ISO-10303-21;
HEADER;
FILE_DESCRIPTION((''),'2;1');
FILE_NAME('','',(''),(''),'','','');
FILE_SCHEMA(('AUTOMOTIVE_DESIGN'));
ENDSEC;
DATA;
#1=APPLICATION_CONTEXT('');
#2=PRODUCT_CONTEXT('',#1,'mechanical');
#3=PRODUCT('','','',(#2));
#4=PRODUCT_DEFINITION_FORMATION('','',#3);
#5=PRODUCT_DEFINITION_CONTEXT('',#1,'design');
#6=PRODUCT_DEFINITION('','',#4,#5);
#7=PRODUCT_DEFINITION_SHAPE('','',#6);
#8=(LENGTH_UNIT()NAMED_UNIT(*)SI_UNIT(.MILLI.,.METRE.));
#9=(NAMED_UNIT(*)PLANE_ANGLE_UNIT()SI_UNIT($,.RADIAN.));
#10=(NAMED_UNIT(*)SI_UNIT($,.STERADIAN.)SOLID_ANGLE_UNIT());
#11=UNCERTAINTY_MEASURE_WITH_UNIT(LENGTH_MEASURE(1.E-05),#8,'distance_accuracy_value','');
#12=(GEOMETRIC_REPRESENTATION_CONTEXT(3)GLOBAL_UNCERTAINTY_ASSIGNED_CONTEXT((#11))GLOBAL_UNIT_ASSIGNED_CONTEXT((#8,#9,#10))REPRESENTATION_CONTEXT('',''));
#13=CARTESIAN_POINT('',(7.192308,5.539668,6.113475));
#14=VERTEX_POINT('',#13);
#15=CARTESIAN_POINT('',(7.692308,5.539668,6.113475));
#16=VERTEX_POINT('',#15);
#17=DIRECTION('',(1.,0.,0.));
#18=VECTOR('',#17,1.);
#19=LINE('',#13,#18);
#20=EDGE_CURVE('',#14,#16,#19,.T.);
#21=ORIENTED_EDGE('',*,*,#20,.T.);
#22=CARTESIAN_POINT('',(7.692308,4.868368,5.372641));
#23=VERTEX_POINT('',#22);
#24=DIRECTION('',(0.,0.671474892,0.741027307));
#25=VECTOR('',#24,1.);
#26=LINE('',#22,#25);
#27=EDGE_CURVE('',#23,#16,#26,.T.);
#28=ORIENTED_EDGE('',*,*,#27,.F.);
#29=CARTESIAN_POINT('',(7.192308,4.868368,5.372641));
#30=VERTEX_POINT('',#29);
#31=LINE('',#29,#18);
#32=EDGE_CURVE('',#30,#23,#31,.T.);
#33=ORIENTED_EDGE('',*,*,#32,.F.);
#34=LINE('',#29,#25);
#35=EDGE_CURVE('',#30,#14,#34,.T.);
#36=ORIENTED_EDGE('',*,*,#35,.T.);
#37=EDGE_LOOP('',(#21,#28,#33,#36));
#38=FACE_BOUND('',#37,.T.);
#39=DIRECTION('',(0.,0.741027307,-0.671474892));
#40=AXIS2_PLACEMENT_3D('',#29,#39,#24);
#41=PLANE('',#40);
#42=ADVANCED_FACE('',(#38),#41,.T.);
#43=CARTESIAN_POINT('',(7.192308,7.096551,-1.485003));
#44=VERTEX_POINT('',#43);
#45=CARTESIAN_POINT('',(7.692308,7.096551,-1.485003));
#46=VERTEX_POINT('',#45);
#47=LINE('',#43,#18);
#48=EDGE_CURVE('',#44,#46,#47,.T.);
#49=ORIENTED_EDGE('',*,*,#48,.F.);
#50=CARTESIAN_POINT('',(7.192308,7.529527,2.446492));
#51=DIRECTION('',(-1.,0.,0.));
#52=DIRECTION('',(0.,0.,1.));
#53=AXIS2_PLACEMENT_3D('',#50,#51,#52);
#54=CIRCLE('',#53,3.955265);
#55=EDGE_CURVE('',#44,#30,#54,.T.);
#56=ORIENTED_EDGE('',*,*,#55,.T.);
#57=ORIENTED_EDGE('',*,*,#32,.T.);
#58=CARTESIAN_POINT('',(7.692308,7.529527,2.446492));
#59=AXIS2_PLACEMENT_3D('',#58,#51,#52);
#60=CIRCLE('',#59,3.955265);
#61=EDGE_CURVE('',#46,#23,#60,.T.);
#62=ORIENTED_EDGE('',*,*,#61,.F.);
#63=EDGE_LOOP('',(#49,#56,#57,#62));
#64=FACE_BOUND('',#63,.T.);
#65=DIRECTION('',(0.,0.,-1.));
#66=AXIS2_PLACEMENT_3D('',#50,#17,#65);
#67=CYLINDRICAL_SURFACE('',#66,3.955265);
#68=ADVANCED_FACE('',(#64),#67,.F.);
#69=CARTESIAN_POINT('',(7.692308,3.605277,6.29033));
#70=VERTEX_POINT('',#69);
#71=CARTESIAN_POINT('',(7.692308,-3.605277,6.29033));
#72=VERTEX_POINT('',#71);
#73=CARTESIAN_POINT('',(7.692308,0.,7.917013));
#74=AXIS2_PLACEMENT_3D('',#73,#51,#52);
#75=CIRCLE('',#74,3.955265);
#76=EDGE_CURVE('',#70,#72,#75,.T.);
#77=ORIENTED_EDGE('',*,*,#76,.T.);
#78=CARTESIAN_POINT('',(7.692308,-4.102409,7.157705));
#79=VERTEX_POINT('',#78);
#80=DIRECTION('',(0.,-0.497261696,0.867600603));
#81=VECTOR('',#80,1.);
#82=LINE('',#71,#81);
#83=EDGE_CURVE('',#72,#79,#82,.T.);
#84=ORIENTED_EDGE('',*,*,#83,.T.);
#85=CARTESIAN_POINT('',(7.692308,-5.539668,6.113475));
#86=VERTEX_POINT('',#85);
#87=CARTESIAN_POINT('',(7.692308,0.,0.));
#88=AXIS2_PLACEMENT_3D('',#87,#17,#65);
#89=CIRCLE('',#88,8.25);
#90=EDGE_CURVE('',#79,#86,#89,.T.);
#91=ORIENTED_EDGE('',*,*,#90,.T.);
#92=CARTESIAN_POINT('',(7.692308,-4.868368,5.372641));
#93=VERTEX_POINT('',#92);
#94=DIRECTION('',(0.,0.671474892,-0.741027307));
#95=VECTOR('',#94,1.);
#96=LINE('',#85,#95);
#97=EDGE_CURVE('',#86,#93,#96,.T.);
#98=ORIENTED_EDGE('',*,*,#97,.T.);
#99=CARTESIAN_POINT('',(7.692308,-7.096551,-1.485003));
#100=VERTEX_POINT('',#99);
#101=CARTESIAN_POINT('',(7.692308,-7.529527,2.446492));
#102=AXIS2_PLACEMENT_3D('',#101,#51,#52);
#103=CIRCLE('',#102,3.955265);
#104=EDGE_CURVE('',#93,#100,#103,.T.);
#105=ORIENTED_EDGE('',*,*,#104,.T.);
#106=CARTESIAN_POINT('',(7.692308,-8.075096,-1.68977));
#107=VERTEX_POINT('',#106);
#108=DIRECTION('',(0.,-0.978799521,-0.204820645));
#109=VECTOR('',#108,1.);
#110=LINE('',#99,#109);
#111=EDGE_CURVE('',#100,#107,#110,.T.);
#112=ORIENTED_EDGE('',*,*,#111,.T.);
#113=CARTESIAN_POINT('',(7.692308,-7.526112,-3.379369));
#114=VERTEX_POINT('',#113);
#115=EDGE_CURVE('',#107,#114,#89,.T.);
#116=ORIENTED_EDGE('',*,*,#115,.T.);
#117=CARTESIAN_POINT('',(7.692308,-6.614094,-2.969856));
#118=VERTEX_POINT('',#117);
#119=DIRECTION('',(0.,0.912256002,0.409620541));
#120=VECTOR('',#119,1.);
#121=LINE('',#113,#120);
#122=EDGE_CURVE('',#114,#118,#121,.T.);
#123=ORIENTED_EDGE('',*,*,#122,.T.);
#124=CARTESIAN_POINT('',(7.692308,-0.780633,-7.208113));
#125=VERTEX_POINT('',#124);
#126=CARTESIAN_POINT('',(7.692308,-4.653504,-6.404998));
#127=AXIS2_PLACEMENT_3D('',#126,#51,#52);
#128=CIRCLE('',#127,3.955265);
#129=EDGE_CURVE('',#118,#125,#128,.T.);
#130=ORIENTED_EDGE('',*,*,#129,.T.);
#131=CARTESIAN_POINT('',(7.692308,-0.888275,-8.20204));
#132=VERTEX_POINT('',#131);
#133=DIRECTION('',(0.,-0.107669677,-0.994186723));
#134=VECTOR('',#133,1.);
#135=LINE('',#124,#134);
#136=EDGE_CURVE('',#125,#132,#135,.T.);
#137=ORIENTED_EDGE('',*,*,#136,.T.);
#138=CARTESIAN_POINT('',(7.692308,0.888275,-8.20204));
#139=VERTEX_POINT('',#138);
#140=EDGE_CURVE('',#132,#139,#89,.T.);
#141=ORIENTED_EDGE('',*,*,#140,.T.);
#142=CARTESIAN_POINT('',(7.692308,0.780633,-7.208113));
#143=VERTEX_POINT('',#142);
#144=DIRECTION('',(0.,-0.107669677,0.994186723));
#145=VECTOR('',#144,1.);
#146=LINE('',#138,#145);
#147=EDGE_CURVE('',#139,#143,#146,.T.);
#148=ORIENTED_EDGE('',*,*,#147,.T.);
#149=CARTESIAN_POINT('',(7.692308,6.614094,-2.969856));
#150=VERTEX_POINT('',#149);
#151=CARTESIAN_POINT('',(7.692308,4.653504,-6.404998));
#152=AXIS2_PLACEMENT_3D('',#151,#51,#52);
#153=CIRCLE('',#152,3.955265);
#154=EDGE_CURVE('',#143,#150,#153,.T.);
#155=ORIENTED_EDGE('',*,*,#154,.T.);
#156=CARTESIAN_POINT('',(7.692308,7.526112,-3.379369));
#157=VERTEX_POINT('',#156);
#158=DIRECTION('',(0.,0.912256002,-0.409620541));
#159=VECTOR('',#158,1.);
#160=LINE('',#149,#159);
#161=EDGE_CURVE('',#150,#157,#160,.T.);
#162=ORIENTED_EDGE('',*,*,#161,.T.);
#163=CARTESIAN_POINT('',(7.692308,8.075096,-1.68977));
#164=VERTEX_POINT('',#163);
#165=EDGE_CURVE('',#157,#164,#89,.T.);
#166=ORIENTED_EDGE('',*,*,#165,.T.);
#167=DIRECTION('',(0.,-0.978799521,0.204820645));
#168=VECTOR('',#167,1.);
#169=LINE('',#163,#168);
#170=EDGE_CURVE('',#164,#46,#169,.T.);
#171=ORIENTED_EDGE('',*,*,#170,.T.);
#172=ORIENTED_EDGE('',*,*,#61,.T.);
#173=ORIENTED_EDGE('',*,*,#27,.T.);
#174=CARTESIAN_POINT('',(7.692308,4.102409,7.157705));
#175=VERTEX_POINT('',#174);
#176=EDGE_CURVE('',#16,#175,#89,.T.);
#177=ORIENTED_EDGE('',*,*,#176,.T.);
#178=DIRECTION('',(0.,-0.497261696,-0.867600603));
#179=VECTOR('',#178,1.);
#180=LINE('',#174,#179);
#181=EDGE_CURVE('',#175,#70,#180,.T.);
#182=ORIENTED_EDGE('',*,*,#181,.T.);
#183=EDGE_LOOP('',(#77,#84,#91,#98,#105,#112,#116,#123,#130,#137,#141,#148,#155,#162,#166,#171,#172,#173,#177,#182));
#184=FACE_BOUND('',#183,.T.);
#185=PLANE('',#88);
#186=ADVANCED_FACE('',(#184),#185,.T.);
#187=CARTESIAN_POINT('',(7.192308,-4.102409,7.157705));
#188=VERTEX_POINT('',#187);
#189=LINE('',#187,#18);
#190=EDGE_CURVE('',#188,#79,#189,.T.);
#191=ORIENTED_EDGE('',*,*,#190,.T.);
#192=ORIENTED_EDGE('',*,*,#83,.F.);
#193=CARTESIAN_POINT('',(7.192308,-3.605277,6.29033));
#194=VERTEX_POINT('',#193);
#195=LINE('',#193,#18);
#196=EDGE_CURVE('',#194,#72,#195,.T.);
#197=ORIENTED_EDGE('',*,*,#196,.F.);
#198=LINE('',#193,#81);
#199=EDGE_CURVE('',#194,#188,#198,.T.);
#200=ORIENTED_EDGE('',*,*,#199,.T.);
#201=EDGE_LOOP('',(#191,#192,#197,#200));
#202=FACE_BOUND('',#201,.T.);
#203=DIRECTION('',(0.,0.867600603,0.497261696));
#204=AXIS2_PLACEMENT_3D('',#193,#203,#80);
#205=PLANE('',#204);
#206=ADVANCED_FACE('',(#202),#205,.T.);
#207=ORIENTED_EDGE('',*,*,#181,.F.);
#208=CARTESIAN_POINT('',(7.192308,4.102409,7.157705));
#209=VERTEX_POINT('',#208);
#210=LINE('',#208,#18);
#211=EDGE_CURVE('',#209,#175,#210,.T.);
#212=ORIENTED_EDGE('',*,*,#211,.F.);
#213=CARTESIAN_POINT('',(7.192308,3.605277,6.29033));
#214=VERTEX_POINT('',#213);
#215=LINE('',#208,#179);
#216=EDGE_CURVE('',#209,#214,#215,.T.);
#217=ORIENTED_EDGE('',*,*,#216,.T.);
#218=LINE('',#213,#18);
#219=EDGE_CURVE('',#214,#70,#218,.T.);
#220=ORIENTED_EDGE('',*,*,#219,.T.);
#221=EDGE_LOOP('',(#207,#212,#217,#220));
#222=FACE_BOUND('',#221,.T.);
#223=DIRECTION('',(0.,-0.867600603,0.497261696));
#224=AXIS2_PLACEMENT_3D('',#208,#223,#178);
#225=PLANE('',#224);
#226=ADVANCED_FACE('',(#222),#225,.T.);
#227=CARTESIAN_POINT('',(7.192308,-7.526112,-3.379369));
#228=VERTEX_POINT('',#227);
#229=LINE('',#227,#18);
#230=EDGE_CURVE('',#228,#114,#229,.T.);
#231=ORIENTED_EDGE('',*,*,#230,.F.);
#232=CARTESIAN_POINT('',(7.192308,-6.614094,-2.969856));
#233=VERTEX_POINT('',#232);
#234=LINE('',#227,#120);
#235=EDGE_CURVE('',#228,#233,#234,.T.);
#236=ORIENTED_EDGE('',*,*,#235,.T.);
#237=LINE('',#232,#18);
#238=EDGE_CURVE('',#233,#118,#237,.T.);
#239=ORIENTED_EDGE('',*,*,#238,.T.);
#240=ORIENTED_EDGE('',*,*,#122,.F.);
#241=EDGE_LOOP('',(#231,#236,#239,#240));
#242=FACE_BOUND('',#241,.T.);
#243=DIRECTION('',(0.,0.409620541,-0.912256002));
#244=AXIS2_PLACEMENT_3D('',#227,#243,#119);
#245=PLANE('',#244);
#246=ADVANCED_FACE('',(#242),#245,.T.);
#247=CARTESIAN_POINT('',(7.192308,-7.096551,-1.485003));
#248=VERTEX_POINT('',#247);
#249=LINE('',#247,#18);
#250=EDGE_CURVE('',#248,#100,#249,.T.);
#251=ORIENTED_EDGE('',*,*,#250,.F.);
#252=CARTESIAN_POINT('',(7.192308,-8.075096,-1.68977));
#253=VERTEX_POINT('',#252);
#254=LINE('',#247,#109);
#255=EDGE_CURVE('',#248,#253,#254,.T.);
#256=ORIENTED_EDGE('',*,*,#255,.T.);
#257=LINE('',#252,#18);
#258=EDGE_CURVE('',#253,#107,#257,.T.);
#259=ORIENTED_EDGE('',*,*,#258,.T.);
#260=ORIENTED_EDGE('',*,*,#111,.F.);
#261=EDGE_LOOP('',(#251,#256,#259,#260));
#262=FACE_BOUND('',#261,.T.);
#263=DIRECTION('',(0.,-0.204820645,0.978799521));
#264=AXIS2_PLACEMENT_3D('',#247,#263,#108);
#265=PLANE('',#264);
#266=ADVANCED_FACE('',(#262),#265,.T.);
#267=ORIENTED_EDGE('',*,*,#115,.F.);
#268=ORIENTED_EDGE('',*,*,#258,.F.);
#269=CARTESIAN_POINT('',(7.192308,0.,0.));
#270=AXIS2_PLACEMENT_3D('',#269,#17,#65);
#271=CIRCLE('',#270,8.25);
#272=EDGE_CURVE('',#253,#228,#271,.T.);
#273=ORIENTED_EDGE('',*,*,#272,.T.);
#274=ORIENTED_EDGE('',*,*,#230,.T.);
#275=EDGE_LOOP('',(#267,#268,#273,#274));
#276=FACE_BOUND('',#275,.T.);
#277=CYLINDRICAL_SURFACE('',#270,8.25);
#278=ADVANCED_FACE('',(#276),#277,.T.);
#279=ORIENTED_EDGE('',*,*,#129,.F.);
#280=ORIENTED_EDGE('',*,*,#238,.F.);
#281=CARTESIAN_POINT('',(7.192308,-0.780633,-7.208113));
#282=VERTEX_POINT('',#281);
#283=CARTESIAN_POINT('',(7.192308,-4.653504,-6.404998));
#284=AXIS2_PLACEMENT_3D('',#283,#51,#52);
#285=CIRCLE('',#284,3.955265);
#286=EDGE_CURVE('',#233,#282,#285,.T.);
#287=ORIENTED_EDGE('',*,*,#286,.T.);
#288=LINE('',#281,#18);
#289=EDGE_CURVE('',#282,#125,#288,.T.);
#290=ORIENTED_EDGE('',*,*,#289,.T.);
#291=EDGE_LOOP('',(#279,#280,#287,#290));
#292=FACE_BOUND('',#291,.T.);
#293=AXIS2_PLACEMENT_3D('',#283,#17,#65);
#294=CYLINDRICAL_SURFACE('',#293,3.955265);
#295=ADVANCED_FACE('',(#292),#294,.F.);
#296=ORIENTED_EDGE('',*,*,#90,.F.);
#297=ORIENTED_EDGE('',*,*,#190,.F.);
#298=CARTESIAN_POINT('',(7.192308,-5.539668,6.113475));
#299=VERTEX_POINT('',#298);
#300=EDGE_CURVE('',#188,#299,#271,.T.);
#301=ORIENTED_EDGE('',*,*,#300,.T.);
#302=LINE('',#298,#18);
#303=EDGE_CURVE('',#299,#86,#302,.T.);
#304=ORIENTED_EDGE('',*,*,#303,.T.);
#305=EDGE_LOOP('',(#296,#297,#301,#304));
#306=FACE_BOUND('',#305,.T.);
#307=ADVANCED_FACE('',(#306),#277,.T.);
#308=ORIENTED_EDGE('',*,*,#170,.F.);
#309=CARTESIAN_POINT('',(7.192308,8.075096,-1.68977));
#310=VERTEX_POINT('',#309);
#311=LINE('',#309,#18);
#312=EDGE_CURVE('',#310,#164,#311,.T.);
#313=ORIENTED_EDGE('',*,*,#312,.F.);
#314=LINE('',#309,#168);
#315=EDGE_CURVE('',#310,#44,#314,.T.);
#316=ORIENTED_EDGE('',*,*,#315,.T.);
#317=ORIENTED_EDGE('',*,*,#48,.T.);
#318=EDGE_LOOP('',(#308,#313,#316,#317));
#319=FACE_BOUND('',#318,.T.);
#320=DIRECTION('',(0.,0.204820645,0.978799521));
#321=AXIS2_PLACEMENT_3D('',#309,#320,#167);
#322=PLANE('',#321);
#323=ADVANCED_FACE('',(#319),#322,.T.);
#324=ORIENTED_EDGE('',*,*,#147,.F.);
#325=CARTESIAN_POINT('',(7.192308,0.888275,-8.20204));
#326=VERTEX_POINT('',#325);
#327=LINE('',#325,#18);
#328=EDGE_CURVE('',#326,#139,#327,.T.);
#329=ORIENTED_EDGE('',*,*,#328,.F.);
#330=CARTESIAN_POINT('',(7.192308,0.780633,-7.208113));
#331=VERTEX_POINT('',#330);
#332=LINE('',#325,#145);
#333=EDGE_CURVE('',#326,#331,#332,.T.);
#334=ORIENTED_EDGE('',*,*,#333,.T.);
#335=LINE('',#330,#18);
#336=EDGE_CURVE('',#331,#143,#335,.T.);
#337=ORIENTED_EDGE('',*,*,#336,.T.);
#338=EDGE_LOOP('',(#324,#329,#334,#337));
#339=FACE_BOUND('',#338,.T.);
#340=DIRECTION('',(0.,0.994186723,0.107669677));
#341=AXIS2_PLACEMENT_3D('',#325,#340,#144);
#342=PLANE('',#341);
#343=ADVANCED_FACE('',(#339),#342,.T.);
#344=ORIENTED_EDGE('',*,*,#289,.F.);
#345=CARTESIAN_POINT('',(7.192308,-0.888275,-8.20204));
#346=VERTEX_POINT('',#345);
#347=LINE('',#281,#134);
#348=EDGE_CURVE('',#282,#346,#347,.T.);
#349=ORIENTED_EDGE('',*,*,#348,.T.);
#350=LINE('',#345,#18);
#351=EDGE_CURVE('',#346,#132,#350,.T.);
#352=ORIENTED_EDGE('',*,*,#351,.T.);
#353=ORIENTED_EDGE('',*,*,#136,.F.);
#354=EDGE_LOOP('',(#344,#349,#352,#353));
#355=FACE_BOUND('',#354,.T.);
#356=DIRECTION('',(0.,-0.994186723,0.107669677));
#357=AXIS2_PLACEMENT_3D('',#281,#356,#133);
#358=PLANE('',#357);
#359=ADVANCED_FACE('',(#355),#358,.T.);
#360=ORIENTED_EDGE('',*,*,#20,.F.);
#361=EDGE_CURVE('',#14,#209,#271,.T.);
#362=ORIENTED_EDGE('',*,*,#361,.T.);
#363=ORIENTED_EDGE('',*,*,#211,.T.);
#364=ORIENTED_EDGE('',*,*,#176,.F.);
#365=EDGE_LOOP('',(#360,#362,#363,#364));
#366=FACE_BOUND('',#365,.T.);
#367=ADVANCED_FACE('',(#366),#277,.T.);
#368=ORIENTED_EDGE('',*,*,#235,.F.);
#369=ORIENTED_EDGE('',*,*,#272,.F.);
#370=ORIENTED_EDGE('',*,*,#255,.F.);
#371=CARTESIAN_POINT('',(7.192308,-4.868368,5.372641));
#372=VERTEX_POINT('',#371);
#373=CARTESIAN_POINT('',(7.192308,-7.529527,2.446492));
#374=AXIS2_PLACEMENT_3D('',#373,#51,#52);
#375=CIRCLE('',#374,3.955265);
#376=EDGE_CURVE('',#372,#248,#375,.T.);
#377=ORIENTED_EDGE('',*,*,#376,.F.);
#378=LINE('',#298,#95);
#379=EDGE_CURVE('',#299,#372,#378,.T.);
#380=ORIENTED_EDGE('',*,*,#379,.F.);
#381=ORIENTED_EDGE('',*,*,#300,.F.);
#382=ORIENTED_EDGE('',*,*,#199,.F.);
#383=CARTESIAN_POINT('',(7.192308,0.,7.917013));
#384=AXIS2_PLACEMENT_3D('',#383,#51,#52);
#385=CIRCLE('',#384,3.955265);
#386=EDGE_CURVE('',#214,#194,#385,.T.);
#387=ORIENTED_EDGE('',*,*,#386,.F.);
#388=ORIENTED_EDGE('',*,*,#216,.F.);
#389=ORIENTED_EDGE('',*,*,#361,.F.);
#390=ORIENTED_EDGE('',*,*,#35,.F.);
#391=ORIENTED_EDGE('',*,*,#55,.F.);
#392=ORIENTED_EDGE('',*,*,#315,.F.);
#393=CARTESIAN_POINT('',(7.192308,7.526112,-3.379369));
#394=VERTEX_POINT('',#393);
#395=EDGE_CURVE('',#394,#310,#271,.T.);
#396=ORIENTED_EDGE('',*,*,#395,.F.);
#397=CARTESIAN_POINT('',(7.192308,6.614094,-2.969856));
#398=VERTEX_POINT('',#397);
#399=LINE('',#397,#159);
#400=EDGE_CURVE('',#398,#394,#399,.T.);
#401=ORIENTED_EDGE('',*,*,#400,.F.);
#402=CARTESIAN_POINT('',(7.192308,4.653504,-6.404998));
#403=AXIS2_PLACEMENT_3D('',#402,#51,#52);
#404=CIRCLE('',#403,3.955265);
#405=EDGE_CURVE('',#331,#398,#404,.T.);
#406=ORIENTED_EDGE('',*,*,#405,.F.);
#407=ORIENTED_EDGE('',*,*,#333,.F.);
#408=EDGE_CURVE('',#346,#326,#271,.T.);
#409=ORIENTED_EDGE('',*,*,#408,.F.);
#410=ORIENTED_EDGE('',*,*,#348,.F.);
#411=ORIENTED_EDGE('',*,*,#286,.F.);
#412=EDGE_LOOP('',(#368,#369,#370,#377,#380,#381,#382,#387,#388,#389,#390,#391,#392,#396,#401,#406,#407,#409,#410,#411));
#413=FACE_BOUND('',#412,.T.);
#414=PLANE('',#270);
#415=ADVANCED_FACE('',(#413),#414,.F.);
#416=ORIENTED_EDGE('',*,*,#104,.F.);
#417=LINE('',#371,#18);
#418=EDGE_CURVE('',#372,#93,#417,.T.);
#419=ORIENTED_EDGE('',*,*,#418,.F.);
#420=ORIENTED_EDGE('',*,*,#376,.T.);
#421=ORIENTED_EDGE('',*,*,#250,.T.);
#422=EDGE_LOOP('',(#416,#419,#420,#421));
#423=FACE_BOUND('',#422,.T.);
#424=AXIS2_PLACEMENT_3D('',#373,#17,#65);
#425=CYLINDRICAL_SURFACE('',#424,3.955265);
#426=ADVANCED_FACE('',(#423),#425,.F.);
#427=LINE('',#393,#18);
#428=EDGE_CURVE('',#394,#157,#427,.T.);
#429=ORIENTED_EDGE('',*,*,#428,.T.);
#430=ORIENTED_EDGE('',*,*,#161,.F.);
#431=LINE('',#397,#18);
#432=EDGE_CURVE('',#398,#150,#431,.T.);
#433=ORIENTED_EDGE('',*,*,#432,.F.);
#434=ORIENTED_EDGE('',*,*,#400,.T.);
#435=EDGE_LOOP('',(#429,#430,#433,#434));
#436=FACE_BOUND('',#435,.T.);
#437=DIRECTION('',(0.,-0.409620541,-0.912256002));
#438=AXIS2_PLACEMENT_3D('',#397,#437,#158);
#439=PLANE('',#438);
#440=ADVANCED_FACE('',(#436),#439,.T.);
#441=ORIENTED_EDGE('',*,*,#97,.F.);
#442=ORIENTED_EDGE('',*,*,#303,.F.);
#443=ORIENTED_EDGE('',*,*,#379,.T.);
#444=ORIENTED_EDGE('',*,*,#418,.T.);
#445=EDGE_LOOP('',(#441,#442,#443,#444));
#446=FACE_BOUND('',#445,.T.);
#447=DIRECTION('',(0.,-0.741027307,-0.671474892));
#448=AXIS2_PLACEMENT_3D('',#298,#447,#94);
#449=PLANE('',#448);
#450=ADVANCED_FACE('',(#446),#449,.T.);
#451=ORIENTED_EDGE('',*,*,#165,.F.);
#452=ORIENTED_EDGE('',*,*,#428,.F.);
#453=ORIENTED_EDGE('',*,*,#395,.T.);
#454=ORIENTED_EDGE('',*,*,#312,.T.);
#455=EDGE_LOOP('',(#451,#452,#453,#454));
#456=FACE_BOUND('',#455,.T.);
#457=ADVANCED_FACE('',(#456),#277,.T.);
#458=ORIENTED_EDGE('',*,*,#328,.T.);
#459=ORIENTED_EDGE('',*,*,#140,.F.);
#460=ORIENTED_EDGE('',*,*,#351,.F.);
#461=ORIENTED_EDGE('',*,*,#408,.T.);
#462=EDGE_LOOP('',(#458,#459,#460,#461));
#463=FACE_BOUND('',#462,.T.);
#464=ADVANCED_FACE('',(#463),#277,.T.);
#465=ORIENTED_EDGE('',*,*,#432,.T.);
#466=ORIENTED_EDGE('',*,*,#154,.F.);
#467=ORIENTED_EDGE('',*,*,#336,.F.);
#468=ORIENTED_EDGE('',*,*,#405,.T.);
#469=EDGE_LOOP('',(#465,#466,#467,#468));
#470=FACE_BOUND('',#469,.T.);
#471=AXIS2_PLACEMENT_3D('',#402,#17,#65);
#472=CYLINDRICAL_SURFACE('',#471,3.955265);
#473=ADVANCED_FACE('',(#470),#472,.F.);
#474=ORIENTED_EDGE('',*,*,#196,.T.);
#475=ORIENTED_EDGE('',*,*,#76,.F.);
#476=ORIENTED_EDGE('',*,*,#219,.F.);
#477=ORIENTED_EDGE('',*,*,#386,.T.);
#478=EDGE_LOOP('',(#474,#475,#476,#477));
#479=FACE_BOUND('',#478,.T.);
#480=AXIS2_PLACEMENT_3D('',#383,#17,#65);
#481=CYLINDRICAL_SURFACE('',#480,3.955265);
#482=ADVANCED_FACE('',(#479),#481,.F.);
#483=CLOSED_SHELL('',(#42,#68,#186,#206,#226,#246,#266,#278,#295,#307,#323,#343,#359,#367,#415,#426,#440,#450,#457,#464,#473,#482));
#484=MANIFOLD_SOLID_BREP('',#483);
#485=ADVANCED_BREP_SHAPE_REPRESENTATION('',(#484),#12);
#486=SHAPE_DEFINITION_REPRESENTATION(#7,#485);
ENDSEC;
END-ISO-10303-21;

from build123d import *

# Parameters (mm, degrees)
ESTRUSIONE_ESTRUSIONE1_DEPTH = 0.5


with BuildPart() as part:
    # Schizzo1 → Estrusione-Estrusione1 (new body)
    with BuildSketch(Plane(origin=(7.692307692, 0, 0), x_dir=(0, 0, -1), z_dir=(1, 0, 0))):
        with BuildLine():
            Line((-6.113475279, -5.539667861), (-5.372640914, -4.868367801))
            ThreePointArc((-5.372640914, -4.868367801), (-1.224247655, -3.767846854), (1.485003008, -7.096551381))
            Line((1.485003008, -7.096551381), (1.689770324, -8.075096052))
            ThreePointArc((1.689770324, -8.075096052), (2.549390204, -7.846216259), (3.379369462, -7.526112014))
            Line((3.379369462, -7.526112014), (2.969855574, -6.614093536))
            ThreePointArc((2.969855574, -6.614093536), (3.205121972, -2.32865742), (7.2081126, -0.780633191))
            Line((7.2081126, -0.780633191), (8.202040467, -0.888274834))
            ThreePointArc((8.202040467, -0.888274834), (8.25, 0), (8.202040467, 0.888274834))
            Line((8.202040467, 0.888274834), (7.2081126, 0.780633191))
            ThreePointArc((7.2081126, 0.780633191), (3.205121972, 2.32865742), (2.969855574, 6.614093536))
            Line((2.969855574, 6.614093536), (3.379369462, 7.526112014))
            ThreePointArc((3.379369462, 7.526112014), (2.549390204, 7.846216259), (1.689770324, 8.075096052))
            Line((1.689770324, 8.075096052), (1.485003008, 7.096551381))
            ThreePointArc((1.485003008, 7.096551381), (-1.224247655, 3.767846854), (-5.372640914, 4.868367801))
            Line((-5.372640914, 4.868367801), (-6.113475279, 5.539667861))
            ThreePointArc((-6.113475279, 5.539667861), (-6.674390204, 4.849228331), (-7.157704974, 4.102408989))
            Line((-7.157704974, 4.102408989), (-6.290330268, 3.605276765))
            ThreePointArc((-6.290330268, 3.605276765), (-3.961748634, 0), (-6.290330268, -3.605276765))
            Line((-6.290330268, -3.605276765), (-7.157704974, -4.102408989))
            ThreePointArc((-7.157704974, -4.102408989), (-6.674390204, -4.849228331), (-6.113475279, -5.539667861))
        make_face()
    extrude(amount=-ESTRUSIONE_ESTRUSIONE1_DEPTH)


solid = part.part
